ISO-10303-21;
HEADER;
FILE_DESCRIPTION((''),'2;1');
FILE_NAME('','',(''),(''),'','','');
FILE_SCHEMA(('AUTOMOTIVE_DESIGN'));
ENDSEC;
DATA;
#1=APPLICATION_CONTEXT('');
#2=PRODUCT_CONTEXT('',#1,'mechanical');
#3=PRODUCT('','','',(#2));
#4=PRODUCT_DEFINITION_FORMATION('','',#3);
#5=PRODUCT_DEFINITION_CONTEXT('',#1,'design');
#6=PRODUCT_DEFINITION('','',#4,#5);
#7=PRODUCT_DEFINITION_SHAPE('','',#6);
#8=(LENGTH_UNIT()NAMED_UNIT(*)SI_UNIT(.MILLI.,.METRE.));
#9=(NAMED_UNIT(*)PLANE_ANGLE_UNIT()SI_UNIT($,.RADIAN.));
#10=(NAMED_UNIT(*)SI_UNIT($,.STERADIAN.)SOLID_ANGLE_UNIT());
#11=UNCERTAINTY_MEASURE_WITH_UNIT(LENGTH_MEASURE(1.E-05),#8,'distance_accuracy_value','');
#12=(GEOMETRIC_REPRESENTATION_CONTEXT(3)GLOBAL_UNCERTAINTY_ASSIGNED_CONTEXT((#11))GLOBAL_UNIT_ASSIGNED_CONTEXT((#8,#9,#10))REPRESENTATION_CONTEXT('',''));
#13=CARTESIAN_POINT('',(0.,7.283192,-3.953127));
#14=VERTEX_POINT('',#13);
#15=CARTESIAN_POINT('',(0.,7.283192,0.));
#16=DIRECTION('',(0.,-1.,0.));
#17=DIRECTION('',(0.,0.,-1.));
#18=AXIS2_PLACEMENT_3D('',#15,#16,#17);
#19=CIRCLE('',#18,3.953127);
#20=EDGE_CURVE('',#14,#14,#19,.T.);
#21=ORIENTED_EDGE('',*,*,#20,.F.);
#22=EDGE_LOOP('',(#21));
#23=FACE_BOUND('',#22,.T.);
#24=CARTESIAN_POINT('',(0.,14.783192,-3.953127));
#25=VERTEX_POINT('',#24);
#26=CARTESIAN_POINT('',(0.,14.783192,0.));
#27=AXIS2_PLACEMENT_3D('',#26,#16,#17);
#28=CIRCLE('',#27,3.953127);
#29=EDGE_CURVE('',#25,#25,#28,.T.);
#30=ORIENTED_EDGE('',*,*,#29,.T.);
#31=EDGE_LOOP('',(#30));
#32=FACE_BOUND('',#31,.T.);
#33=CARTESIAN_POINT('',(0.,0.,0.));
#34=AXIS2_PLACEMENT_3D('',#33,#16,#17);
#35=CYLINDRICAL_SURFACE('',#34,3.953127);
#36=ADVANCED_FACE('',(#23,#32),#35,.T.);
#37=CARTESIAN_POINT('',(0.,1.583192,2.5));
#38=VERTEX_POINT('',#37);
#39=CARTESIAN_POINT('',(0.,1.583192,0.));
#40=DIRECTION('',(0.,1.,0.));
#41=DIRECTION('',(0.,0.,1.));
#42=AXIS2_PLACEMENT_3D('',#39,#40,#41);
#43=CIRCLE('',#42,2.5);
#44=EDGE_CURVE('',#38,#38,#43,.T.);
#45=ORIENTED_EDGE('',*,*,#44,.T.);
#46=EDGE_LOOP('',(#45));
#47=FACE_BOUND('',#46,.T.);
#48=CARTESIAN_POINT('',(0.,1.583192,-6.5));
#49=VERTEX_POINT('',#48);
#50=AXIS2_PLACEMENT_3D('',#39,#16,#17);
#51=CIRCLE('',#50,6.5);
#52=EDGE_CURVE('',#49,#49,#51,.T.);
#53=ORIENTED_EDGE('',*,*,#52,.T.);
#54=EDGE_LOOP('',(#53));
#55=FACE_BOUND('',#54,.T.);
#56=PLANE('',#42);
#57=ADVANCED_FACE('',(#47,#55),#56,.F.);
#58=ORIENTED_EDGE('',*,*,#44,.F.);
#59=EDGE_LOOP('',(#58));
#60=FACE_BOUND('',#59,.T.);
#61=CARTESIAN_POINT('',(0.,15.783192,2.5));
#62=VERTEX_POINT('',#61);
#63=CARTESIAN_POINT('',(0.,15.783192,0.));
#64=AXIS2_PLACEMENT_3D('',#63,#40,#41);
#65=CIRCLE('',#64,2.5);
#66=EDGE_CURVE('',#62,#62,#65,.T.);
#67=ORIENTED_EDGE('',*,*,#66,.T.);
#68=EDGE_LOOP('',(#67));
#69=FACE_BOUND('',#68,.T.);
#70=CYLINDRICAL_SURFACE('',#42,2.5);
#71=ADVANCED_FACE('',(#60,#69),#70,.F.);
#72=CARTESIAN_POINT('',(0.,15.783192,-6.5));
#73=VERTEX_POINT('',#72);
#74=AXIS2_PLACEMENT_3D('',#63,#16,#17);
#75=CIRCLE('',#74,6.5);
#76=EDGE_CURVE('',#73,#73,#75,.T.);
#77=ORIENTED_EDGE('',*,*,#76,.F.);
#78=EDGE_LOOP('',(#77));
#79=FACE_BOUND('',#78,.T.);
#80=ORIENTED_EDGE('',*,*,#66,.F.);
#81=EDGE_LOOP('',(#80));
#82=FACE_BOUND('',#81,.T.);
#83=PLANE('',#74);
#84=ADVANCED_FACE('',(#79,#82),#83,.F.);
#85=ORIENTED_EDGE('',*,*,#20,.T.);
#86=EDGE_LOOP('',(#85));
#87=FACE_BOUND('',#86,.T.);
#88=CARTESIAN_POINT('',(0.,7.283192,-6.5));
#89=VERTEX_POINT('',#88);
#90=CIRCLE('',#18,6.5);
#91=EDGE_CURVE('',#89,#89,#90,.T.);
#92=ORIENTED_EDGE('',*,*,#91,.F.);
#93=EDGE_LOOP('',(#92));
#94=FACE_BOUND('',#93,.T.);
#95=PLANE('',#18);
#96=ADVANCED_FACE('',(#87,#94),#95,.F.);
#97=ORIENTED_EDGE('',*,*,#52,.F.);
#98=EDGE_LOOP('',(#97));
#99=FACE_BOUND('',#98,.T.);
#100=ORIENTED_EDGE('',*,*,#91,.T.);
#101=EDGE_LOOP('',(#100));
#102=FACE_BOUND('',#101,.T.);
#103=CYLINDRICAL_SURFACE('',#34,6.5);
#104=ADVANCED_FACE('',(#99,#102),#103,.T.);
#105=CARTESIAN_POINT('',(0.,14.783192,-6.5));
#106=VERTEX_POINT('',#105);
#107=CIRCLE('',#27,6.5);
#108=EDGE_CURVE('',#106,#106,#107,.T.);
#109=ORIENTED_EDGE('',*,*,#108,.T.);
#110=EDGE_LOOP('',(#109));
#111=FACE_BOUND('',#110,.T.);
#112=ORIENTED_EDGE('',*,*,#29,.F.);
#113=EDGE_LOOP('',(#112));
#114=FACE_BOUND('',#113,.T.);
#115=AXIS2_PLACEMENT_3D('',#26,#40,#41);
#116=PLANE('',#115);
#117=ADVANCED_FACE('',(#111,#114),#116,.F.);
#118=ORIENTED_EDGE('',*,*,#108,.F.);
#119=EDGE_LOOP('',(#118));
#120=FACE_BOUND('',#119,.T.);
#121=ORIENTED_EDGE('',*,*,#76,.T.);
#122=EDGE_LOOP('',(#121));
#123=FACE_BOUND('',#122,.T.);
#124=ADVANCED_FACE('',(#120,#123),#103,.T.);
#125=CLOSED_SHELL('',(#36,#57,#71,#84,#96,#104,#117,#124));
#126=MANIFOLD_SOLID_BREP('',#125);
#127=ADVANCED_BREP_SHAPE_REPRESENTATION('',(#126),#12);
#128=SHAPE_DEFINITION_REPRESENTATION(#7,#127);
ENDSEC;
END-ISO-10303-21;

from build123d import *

# Parameters (mm, degrees)
SKETCH_2_R          = 2.5
CUT_EXTRUDE_1_DEPTH = 17.915673206


with BuildPart() as part:
    # 草图1 → 旋转5 (revolve)
    with BuildSketch(Plane.XY, mode=Mode.PRIVATE) as revolve_5_sk:
        Polygon((-6.5, 1.583191628), (0, 1.583191628), (0, 15.783191628), (-6.5, 15.783191628), (-6.5, 14.783191628), (-3.953126512, 14.783191628), (-3.953126512, 7.283191628), (-6.5, 7.283191628), align=None)
    revolve(revolve_5_sk.sketch.rotate(Axis((0, 0, 0), (0, 1, 0)), 270), axis=Axis((0, 0, 0), (0, 1, 0)))

    # 草图2 → 切除-拉伸1 (cut, through all)
    with BuildSketch(Plane(origin=(0, 15.783191628, 0), x_dir=(1, 0, 0), z_dir=(0, 1, 0))):
        with Locations(Location((0, 0, 0), (0, 0, 270))):
            Circle(SKETCH_2_R)
    extrude(amount=-CUT_EXTRUDE_1_DEPTH, mode=Mode.SUBTRACT)


solid = part.part
